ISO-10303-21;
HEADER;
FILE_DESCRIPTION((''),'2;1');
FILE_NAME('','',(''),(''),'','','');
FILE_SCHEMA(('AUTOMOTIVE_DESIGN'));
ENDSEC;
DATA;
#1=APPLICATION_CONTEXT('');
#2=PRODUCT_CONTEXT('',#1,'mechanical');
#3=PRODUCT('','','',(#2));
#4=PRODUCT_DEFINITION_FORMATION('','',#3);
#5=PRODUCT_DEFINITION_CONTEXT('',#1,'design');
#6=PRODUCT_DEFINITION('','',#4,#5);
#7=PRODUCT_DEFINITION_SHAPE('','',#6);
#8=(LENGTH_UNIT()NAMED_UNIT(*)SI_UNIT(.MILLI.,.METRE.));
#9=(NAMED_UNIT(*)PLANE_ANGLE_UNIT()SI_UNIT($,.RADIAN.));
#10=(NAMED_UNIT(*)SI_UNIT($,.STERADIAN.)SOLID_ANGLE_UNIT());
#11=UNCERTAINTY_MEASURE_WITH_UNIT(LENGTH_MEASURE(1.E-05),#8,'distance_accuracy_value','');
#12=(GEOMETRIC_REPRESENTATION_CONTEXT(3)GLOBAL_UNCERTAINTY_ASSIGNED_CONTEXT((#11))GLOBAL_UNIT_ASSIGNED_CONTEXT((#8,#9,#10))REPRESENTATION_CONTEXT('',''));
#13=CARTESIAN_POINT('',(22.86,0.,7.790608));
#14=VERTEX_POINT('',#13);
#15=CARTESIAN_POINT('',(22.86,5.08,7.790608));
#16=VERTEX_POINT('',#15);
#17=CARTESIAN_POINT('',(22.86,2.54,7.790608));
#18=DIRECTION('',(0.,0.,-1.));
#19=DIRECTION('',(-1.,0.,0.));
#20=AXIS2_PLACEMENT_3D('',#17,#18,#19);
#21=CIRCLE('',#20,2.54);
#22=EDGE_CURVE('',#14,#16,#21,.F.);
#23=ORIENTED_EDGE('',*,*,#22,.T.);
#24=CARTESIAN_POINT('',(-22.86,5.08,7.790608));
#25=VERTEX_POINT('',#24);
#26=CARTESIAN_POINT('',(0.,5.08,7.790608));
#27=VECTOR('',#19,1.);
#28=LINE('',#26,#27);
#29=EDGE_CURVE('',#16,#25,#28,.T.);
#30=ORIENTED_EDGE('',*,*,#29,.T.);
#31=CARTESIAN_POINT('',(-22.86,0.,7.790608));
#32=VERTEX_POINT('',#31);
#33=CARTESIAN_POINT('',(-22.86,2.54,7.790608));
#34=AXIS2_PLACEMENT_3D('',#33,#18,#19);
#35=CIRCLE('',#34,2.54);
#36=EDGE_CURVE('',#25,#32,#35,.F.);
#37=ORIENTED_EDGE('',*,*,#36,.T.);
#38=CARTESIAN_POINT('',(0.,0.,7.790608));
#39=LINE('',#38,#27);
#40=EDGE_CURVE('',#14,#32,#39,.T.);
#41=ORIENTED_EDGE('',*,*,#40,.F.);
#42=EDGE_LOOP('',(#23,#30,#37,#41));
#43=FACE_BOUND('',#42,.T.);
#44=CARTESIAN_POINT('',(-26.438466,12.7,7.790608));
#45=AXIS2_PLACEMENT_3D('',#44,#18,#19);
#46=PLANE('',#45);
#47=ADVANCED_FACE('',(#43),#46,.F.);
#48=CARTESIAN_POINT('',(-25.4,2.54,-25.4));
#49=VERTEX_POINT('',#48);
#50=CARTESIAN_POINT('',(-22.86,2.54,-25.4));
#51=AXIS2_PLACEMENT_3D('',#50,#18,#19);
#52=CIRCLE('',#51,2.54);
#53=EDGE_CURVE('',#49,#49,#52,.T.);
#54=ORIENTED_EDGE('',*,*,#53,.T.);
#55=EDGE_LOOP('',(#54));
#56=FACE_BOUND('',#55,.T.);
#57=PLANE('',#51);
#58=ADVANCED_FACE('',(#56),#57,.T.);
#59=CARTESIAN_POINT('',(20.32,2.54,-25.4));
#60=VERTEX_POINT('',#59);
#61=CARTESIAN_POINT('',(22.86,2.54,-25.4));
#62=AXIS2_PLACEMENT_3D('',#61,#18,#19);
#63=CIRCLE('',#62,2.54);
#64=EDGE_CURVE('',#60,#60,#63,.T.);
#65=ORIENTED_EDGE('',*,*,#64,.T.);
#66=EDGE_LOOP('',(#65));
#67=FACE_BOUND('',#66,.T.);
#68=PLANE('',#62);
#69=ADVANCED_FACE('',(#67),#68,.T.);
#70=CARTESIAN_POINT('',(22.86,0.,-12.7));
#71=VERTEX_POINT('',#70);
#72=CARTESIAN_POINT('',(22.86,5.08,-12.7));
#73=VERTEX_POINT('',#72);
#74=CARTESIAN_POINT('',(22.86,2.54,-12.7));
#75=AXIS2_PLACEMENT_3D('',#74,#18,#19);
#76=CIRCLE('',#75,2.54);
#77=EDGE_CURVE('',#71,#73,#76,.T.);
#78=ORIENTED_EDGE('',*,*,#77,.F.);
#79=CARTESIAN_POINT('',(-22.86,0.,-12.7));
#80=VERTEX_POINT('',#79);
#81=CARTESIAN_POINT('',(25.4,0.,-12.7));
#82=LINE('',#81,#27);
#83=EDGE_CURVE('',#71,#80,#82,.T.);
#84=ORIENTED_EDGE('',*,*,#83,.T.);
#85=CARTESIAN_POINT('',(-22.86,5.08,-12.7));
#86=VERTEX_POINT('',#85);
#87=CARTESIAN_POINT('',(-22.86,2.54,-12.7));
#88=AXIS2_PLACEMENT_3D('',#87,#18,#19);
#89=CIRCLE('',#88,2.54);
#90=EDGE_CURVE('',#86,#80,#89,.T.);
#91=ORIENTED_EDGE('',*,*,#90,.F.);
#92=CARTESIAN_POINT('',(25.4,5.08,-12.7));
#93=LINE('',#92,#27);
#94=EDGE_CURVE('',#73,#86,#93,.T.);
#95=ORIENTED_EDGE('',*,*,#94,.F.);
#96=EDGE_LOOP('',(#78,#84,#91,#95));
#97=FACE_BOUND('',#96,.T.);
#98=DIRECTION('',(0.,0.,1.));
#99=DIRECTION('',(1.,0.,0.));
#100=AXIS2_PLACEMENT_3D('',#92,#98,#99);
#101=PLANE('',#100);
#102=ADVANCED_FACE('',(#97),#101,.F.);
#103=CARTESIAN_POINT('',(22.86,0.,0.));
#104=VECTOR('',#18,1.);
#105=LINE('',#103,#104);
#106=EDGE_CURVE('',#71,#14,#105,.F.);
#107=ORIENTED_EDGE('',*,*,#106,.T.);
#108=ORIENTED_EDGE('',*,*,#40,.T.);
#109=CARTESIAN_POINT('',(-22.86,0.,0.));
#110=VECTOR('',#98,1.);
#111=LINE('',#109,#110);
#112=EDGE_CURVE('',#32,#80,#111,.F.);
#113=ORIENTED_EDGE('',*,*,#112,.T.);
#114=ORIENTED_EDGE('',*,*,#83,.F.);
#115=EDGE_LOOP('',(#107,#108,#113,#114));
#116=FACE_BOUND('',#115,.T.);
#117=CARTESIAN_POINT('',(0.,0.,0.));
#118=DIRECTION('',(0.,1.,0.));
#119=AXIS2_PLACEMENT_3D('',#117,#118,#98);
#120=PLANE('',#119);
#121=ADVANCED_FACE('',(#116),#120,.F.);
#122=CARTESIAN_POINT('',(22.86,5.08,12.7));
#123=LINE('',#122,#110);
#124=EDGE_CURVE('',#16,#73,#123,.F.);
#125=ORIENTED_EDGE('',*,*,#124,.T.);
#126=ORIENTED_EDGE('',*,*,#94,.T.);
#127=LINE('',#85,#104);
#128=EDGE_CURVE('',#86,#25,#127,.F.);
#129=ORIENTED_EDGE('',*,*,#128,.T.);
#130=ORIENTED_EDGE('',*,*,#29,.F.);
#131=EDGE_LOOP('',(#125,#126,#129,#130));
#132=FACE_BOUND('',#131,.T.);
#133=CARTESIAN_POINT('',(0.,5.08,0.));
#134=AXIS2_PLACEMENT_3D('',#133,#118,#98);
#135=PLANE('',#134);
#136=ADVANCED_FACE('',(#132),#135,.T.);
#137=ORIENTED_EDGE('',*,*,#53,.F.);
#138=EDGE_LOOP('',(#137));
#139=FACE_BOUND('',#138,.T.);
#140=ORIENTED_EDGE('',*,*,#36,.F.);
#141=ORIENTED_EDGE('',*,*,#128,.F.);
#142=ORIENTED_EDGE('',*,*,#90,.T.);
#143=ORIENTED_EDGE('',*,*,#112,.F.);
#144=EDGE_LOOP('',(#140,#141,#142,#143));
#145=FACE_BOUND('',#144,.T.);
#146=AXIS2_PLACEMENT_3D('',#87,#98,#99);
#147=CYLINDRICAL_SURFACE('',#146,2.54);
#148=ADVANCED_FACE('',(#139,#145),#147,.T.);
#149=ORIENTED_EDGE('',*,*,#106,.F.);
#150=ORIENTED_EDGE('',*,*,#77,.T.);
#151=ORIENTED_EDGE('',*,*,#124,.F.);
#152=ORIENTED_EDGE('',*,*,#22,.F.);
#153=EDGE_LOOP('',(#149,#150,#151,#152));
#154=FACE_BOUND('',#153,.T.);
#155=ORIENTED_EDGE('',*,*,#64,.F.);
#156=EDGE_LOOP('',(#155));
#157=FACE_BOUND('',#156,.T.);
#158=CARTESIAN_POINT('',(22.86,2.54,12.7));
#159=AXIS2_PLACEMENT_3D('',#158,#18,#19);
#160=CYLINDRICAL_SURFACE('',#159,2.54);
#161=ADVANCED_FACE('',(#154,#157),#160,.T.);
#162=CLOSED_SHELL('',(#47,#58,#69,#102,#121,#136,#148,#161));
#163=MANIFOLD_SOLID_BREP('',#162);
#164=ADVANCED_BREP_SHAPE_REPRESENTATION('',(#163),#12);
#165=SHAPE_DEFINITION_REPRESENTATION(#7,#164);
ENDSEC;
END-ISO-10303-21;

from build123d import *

# Parameters (mm, degrees)
SKETCH1_W           = 50.8
SKETCH1_H           = 25.4
BOSS_EXTRUDE1_DEPTH = 5.08
FILLET2_RADIUS      = 2.54
FILLET2_LENGTH      = 25.4
FILLET3_RADIUS      = 2.54
FILLET3_LENGTH      = 25.4
SKETCH2_R           = 2.54
BOSS_EXTRUDE2_DEPTH = 12.7
BOSS_EXTRUDE3_START = 12.7
SKETCH3_R           = 2.54
BOSS_EXTRUDE3_DEPTH = 12.7
SKETCH4_W           = 52.876932696
SKETCH4_H           = 9.818783706
CUT_EXTRUDE1_DEPTH  = 12.7


with BuildPart() as part:
    # Sketch1 → Boss-Extrude1 (new body)
    with BuildSketch(Plane(origin=(0, 0, 0), x_dir=(1, 0, 0), z_dir=(0, 1, 0))):
        Rectangle(SKETCH1_W, SKETCH1_H)
    extrude(amount=BOSS_EXTRUDE1_DEPTH)

    # Fillet2: full round fillet: the end face becomes a half cylinder, R = half its width
    fillet2_face = Plane((-25.4, 2.54, 0), x_dir=(0, 0, -1), z_dir=(-1, 0, 0))  # on the end face: x along it, z out of the body
    fillet2_slab = fillet2_face.offset(-FILLET2_RADIUS / 2) * Box(FILLET2_LENGTH, 2 * FILLET2_RADIUS, FILLET2_RADIUS, mode=Mode.PRIVATE)  # the body's end, R deep
    fillet2_round = Plane((-22.86, 2.54, 0), x_dir=(-1, 0, 0), z_dir=(0, 0, -1)) * Cylinder(FILLET2_RADIUS, FILLET2_LENGTH, mode=Mode.PRIVATE)  # its axis R under the face
    add(fillet2_slab - fillet2_round, mode=Mode.SUBTRACT)

    # Fillet3: full round fillet: the end face becomes a half cylinder, R = half its width
    fillet3_face = Plane((25.4, 2.54, 0), x_dir=(0, 0, 1), z_dir=(1, 0, 0))  # on the end face: x along it, z out of the body
    fillet3_slab = fillet3_face.offset(-FILLET3_RADIUS / 2) * Box(FILLET3_LENGTH, 2 * FILLET3_RADIUS, FILLET3_RADIUS, mode=Mode.PRIVATE)  # the body's end, R deep
    fillet3_round = Plane((22.86, 2.54, 0), x_dir=(1, 0, 0), z_dir=(0, 0, 1)) * Cylinder(FILLET3_RADIUS, FILLET3_LENGTH, mode=Mode.PRIVATE)  # its axis R under the face
    add(fillet3_slab - fillet3_round, mode=Mode.SUBTRACT)

    # Sketch2 → Boss-Extrude2 (add)
    with BuildSketch(Plane(origin=(0, 0, -12.7), x_dir=(-1, 0, 0), z_dir=(0, 0, -1))):
        with Locations((-22.86, 2.54)):
            Circle(SKETCH2_R)
    extrude(amount=BOSS_EXTRUDE2_DEPTH)

    # Sketch3 → Boss-Extrude3 (add)
    with BuildSketch(Plane(origin=(0, 0, -12.7), x_dir=(-1, 0, 0), z_dir=(0, 0, -1)).offset(BOSS_EXTRUDE3_START)):
        with Locations(Location((22.86, 2.54, 0), (0, 0, 90))):
            Circle(SKETCH3_R)
    extrude(amount=-BOSS_EXTRUDE3_DEPTH)

    # Sketch4 → Cut-Extrude1 (cut)
    with BuildSketch(Plane(origin=(0, 0, 0), x_dir=(-1, 0, 0), z_dir=(0, -1, 0))):
        with Locations((0, -12.7)):
            Rectangle(SKETCH4_W, SKETCH4_H)
    extrude(amount=-CUT_EXTRUDE1_DEPTH, mode=Mode.SUBTRACT)


solid = part.part
